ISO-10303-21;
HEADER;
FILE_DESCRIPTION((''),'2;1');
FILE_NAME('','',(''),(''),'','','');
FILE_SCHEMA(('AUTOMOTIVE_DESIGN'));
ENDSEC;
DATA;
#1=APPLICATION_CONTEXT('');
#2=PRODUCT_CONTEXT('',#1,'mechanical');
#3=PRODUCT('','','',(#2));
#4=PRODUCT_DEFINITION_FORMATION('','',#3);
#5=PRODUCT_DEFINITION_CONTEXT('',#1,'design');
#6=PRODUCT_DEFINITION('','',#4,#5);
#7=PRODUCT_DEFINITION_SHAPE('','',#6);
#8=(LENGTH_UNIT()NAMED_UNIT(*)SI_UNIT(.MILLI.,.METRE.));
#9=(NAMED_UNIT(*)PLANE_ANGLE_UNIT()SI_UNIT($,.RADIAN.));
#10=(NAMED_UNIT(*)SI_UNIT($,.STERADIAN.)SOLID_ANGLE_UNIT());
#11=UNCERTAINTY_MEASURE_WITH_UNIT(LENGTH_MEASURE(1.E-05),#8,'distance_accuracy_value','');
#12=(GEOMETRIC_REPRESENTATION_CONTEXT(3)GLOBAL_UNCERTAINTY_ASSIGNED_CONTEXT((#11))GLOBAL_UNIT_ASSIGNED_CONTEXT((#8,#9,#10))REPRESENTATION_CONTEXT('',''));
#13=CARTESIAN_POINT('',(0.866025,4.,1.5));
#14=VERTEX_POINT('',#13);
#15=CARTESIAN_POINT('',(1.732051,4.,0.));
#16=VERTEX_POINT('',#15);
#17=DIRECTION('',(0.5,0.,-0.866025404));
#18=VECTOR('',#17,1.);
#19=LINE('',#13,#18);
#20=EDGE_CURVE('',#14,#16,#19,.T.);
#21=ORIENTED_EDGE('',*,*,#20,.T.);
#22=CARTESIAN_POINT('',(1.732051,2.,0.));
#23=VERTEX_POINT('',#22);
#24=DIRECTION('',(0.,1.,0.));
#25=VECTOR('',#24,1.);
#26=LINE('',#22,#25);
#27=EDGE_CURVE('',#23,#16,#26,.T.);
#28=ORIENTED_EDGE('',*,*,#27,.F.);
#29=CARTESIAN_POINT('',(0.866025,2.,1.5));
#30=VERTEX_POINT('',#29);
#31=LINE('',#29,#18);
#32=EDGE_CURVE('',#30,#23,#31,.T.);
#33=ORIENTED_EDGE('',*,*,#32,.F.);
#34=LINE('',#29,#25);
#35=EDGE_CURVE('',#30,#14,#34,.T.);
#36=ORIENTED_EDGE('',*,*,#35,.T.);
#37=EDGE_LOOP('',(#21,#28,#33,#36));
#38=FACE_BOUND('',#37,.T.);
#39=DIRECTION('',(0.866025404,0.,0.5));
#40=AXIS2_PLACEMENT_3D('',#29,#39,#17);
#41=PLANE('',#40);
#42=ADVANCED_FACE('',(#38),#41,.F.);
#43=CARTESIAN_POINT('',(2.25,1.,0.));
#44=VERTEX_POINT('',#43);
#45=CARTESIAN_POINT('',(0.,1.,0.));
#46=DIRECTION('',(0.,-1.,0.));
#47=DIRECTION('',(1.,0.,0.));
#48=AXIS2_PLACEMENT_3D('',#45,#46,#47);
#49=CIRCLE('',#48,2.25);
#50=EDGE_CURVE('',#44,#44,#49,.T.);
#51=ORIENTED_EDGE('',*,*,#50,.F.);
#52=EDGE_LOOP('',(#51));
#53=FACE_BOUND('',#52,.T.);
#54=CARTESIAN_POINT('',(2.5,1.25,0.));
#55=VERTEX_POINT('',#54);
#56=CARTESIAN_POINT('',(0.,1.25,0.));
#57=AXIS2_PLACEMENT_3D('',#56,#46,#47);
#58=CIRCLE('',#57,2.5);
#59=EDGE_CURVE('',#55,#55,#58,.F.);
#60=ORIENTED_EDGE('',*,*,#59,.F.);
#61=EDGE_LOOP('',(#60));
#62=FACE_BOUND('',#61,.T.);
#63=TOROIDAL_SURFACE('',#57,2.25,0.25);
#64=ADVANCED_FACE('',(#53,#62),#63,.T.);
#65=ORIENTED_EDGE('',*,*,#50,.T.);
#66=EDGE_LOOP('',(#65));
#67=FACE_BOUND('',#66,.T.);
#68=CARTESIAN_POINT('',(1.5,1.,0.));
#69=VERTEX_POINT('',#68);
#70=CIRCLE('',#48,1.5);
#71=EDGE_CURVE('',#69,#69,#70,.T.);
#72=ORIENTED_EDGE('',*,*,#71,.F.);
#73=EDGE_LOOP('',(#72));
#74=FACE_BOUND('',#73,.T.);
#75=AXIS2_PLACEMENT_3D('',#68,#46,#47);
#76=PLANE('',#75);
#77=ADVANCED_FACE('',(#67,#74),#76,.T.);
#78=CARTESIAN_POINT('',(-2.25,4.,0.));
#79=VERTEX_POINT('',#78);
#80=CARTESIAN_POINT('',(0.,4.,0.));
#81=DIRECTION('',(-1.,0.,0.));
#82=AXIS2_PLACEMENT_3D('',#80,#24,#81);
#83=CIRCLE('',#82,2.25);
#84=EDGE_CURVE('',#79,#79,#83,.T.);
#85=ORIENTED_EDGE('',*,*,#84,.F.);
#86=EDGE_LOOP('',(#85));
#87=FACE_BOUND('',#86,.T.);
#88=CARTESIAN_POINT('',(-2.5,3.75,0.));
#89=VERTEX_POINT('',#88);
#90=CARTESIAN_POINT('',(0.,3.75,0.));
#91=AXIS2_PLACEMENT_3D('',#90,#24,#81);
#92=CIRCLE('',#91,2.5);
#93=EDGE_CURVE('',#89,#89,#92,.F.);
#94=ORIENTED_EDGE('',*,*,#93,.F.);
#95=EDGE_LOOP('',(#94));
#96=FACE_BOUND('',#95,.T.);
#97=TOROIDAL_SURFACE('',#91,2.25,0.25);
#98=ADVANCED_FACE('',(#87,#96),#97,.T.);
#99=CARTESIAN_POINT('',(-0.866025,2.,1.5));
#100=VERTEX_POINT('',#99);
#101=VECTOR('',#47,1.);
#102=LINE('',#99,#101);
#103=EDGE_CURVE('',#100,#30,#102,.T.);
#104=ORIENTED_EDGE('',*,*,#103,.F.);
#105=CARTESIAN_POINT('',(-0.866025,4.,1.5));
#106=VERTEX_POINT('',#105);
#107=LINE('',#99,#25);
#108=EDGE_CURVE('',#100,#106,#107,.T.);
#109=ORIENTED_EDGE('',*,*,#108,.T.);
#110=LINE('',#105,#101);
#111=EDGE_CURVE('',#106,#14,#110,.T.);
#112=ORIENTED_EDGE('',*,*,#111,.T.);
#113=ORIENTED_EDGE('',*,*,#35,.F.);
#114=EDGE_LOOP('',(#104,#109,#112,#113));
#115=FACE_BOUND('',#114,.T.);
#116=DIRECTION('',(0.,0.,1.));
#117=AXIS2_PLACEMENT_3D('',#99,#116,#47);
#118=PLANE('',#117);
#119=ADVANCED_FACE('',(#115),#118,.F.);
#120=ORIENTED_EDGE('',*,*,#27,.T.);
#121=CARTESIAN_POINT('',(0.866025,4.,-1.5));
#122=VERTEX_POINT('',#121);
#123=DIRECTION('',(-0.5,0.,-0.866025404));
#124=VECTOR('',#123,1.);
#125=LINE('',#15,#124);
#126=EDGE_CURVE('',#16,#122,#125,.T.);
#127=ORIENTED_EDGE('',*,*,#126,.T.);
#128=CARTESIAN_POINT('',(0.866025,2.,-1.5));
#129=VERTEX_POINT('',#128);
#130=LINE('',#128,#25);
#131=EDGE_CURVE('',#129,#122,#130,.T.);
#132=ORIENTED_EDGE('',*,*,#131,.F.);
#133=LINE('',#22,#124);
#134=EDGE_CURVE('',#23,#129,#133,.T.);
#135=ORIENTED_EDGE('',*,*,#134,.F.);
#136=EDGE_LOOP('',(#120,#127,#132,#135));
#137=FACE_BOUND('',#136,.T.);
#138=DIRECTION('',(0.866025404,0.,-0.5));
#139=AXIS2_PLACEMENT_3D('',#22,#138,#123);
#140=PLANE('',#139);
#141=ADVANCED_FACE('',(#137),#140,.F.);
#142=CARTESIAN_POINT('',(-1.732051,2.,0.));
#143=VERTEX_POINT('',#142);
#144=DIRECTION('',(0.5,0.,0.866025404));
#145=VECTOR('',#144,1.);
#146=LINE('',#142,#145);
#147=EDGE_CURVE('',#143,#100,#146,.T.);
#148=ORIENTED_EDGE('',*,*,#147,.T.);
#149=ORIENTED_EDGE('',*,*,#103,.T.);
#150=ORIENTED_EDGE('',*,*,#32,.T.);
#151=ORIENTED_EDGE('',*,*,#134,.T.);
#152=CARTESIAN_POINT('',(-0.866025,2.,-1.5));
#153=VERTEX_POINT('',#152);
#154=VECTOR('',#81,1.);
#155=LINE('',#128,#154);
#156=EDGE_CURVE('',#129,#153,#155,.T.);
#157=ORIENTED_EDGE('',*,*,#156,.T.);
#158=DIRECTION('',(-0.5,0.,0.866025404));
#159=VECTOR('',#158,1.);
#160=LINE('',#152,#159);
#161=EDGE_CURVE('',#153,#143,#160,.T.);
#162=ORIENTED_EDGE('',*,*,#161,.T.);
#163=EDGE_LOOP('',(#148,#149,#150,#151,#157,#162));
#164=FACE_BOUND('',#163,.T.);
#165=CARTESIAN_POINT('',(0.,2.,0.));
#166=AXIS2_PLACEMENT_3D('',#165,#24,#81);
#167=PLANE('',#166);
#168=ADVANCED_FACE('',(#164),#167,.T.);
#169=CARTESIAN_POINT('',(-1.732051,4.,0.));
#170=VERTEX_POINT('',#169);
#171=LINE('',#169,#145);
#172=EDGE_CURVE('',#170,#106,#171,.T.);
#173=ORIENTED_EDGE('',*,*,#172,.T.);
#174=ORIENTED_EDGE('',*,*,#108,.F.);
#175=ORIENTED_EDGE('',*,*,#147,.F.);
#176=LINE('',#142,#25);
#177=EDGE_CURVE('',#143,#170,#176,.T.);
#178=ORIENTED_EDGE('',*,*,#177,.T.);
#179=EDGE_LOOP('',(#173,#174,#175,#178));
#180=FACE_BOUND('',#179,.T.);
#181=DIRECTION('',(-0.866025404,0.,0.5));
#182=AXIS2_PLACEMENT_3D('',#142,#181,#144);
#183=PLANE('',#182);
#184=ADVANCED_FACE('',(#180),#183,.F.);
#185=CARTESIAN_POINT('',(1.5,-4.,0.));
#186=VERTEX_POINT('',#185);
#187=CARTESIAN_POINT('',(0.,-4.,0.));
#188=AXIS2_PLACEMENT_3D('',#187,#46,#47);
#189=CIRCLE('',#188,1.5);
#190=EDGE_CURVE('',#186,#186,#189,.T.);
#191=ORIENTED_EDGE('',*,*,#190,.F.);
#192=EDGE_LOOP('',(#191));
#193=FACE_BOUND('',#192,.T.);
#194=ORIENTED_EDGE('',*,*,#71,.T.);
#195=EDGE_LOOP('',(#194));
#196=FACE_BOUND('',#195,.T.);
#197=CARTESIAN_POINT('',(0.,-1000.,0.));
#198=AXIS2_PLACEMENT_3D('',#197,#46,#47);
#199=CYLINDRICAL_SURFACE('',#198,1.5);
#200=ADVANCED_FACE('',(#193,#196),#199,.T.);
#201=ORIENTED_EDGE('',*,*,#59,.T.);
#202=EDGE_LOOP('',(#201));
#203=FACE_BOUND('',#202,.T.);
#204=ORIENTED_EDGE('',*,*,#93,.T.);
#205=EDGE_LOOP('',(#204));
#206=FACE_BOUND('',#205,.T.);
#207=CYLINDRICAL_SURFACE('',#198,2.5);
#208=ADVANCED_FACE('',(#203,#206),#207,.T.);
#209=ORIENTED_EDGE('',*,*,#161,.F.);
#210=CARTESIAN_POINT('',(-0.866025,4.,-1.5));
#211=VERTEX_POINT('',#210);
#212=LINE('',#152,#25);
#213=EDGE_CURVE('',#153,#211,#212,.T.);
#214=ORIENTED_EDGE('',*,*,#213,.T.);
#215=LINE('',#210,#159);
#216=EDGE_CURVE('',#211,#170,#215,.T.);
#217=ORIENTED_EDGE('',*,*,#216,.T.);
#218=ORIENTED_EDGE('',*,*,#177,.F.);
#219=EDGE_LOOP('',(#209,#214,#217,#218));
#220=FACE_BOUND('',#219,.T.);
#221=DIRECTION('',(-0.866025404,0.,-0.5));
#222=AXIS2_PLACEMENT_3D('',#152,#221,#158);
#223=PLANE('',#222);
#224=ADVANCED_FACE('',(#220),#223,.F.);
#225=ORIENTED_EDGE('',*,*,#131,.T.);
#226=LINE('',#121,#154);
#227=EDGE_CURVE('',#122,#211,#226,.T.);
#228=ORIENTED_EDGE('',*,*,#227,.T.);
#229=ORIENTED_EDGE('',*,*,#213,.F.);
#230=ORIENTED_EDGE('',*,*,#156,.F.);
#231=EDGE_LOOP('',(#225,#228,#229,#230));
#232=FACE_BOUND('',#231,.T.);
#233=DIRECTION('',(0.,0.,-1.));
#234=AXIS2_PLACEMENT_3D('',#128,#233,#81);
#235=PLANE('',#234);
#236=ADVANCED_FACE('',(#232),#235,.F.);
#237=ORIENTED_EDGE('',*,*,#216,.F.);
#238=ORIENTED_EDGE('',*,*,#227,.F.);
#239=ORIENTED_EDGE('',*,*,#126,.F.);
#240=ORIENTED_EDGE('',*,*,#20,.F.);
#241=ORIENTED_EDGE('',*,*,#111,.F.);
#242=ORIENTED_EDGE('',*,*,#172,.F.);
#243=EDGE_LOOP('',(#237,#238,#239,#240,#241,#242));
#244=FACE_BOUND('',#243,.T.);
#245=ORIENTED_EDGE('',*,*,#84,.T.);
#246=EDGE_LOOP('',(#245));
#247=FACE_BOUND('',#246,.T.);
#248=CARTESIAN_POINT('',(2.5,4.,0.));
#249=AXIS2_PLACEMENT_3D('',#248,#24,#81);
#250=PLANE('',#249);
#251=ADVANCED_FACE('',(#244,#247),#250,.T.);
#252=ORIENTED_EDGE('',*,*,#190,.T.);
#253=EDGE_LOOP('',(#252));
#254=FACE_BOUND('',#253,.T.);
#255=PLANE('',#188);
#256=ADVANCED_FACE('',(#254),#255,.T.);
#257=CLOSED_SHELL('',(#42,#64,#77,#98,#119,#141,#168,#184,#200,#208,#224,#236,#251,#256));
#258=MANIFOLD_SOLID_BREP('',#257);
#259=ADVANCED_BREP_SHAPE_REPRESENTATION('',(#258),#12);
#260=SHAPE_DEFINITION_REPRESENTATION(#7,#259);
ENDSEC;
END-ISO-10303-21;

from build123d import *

# Parameters (mm, degrees)
CUT_EXTRUDE1_DEPTH = 2
FILLET1_R          = 0.25


with BuildPart() as part:
    # Sketch1 → Revolve1 (revolve)
    with BuildSketch(Plane.XY):
        Polygon((0, -4), (1.5, -4), (1.5, 1), (2.5, 1), (2.5, 4), (0, 4), align=None)
    revolve(axis=Axis((0, -1000, 0), (0, 1, 0)))

    # Sketch2 → Cut-Extrude1 (cut)
    with BuildSketch(Plane(origin=(0, 4, 0), x_dir=(1, 0, 0), z_dir=(0, 1, 0))):
        Polygon((0.866025404, 1.5), (-0.866025404, 1.5), (-1.732050808, 0), (-0.866025404, -1.5), (0.866025404, -1.5), (1.732050808, 0), align=None)
    extrude(amount=-CUT_EXTRUDE1_DEPTH, mode=Mode.SUBTRACT)

    # Fillet1
    fillet1_edges = [part.edges().sort_by_distance(p)[0] for p in [
        (-2.5, 4, 0),
        (-2.5, 1, 0),
    ]]
    fillet(fillet1_edges, radius=FILLET1_R)


solid = part.part
